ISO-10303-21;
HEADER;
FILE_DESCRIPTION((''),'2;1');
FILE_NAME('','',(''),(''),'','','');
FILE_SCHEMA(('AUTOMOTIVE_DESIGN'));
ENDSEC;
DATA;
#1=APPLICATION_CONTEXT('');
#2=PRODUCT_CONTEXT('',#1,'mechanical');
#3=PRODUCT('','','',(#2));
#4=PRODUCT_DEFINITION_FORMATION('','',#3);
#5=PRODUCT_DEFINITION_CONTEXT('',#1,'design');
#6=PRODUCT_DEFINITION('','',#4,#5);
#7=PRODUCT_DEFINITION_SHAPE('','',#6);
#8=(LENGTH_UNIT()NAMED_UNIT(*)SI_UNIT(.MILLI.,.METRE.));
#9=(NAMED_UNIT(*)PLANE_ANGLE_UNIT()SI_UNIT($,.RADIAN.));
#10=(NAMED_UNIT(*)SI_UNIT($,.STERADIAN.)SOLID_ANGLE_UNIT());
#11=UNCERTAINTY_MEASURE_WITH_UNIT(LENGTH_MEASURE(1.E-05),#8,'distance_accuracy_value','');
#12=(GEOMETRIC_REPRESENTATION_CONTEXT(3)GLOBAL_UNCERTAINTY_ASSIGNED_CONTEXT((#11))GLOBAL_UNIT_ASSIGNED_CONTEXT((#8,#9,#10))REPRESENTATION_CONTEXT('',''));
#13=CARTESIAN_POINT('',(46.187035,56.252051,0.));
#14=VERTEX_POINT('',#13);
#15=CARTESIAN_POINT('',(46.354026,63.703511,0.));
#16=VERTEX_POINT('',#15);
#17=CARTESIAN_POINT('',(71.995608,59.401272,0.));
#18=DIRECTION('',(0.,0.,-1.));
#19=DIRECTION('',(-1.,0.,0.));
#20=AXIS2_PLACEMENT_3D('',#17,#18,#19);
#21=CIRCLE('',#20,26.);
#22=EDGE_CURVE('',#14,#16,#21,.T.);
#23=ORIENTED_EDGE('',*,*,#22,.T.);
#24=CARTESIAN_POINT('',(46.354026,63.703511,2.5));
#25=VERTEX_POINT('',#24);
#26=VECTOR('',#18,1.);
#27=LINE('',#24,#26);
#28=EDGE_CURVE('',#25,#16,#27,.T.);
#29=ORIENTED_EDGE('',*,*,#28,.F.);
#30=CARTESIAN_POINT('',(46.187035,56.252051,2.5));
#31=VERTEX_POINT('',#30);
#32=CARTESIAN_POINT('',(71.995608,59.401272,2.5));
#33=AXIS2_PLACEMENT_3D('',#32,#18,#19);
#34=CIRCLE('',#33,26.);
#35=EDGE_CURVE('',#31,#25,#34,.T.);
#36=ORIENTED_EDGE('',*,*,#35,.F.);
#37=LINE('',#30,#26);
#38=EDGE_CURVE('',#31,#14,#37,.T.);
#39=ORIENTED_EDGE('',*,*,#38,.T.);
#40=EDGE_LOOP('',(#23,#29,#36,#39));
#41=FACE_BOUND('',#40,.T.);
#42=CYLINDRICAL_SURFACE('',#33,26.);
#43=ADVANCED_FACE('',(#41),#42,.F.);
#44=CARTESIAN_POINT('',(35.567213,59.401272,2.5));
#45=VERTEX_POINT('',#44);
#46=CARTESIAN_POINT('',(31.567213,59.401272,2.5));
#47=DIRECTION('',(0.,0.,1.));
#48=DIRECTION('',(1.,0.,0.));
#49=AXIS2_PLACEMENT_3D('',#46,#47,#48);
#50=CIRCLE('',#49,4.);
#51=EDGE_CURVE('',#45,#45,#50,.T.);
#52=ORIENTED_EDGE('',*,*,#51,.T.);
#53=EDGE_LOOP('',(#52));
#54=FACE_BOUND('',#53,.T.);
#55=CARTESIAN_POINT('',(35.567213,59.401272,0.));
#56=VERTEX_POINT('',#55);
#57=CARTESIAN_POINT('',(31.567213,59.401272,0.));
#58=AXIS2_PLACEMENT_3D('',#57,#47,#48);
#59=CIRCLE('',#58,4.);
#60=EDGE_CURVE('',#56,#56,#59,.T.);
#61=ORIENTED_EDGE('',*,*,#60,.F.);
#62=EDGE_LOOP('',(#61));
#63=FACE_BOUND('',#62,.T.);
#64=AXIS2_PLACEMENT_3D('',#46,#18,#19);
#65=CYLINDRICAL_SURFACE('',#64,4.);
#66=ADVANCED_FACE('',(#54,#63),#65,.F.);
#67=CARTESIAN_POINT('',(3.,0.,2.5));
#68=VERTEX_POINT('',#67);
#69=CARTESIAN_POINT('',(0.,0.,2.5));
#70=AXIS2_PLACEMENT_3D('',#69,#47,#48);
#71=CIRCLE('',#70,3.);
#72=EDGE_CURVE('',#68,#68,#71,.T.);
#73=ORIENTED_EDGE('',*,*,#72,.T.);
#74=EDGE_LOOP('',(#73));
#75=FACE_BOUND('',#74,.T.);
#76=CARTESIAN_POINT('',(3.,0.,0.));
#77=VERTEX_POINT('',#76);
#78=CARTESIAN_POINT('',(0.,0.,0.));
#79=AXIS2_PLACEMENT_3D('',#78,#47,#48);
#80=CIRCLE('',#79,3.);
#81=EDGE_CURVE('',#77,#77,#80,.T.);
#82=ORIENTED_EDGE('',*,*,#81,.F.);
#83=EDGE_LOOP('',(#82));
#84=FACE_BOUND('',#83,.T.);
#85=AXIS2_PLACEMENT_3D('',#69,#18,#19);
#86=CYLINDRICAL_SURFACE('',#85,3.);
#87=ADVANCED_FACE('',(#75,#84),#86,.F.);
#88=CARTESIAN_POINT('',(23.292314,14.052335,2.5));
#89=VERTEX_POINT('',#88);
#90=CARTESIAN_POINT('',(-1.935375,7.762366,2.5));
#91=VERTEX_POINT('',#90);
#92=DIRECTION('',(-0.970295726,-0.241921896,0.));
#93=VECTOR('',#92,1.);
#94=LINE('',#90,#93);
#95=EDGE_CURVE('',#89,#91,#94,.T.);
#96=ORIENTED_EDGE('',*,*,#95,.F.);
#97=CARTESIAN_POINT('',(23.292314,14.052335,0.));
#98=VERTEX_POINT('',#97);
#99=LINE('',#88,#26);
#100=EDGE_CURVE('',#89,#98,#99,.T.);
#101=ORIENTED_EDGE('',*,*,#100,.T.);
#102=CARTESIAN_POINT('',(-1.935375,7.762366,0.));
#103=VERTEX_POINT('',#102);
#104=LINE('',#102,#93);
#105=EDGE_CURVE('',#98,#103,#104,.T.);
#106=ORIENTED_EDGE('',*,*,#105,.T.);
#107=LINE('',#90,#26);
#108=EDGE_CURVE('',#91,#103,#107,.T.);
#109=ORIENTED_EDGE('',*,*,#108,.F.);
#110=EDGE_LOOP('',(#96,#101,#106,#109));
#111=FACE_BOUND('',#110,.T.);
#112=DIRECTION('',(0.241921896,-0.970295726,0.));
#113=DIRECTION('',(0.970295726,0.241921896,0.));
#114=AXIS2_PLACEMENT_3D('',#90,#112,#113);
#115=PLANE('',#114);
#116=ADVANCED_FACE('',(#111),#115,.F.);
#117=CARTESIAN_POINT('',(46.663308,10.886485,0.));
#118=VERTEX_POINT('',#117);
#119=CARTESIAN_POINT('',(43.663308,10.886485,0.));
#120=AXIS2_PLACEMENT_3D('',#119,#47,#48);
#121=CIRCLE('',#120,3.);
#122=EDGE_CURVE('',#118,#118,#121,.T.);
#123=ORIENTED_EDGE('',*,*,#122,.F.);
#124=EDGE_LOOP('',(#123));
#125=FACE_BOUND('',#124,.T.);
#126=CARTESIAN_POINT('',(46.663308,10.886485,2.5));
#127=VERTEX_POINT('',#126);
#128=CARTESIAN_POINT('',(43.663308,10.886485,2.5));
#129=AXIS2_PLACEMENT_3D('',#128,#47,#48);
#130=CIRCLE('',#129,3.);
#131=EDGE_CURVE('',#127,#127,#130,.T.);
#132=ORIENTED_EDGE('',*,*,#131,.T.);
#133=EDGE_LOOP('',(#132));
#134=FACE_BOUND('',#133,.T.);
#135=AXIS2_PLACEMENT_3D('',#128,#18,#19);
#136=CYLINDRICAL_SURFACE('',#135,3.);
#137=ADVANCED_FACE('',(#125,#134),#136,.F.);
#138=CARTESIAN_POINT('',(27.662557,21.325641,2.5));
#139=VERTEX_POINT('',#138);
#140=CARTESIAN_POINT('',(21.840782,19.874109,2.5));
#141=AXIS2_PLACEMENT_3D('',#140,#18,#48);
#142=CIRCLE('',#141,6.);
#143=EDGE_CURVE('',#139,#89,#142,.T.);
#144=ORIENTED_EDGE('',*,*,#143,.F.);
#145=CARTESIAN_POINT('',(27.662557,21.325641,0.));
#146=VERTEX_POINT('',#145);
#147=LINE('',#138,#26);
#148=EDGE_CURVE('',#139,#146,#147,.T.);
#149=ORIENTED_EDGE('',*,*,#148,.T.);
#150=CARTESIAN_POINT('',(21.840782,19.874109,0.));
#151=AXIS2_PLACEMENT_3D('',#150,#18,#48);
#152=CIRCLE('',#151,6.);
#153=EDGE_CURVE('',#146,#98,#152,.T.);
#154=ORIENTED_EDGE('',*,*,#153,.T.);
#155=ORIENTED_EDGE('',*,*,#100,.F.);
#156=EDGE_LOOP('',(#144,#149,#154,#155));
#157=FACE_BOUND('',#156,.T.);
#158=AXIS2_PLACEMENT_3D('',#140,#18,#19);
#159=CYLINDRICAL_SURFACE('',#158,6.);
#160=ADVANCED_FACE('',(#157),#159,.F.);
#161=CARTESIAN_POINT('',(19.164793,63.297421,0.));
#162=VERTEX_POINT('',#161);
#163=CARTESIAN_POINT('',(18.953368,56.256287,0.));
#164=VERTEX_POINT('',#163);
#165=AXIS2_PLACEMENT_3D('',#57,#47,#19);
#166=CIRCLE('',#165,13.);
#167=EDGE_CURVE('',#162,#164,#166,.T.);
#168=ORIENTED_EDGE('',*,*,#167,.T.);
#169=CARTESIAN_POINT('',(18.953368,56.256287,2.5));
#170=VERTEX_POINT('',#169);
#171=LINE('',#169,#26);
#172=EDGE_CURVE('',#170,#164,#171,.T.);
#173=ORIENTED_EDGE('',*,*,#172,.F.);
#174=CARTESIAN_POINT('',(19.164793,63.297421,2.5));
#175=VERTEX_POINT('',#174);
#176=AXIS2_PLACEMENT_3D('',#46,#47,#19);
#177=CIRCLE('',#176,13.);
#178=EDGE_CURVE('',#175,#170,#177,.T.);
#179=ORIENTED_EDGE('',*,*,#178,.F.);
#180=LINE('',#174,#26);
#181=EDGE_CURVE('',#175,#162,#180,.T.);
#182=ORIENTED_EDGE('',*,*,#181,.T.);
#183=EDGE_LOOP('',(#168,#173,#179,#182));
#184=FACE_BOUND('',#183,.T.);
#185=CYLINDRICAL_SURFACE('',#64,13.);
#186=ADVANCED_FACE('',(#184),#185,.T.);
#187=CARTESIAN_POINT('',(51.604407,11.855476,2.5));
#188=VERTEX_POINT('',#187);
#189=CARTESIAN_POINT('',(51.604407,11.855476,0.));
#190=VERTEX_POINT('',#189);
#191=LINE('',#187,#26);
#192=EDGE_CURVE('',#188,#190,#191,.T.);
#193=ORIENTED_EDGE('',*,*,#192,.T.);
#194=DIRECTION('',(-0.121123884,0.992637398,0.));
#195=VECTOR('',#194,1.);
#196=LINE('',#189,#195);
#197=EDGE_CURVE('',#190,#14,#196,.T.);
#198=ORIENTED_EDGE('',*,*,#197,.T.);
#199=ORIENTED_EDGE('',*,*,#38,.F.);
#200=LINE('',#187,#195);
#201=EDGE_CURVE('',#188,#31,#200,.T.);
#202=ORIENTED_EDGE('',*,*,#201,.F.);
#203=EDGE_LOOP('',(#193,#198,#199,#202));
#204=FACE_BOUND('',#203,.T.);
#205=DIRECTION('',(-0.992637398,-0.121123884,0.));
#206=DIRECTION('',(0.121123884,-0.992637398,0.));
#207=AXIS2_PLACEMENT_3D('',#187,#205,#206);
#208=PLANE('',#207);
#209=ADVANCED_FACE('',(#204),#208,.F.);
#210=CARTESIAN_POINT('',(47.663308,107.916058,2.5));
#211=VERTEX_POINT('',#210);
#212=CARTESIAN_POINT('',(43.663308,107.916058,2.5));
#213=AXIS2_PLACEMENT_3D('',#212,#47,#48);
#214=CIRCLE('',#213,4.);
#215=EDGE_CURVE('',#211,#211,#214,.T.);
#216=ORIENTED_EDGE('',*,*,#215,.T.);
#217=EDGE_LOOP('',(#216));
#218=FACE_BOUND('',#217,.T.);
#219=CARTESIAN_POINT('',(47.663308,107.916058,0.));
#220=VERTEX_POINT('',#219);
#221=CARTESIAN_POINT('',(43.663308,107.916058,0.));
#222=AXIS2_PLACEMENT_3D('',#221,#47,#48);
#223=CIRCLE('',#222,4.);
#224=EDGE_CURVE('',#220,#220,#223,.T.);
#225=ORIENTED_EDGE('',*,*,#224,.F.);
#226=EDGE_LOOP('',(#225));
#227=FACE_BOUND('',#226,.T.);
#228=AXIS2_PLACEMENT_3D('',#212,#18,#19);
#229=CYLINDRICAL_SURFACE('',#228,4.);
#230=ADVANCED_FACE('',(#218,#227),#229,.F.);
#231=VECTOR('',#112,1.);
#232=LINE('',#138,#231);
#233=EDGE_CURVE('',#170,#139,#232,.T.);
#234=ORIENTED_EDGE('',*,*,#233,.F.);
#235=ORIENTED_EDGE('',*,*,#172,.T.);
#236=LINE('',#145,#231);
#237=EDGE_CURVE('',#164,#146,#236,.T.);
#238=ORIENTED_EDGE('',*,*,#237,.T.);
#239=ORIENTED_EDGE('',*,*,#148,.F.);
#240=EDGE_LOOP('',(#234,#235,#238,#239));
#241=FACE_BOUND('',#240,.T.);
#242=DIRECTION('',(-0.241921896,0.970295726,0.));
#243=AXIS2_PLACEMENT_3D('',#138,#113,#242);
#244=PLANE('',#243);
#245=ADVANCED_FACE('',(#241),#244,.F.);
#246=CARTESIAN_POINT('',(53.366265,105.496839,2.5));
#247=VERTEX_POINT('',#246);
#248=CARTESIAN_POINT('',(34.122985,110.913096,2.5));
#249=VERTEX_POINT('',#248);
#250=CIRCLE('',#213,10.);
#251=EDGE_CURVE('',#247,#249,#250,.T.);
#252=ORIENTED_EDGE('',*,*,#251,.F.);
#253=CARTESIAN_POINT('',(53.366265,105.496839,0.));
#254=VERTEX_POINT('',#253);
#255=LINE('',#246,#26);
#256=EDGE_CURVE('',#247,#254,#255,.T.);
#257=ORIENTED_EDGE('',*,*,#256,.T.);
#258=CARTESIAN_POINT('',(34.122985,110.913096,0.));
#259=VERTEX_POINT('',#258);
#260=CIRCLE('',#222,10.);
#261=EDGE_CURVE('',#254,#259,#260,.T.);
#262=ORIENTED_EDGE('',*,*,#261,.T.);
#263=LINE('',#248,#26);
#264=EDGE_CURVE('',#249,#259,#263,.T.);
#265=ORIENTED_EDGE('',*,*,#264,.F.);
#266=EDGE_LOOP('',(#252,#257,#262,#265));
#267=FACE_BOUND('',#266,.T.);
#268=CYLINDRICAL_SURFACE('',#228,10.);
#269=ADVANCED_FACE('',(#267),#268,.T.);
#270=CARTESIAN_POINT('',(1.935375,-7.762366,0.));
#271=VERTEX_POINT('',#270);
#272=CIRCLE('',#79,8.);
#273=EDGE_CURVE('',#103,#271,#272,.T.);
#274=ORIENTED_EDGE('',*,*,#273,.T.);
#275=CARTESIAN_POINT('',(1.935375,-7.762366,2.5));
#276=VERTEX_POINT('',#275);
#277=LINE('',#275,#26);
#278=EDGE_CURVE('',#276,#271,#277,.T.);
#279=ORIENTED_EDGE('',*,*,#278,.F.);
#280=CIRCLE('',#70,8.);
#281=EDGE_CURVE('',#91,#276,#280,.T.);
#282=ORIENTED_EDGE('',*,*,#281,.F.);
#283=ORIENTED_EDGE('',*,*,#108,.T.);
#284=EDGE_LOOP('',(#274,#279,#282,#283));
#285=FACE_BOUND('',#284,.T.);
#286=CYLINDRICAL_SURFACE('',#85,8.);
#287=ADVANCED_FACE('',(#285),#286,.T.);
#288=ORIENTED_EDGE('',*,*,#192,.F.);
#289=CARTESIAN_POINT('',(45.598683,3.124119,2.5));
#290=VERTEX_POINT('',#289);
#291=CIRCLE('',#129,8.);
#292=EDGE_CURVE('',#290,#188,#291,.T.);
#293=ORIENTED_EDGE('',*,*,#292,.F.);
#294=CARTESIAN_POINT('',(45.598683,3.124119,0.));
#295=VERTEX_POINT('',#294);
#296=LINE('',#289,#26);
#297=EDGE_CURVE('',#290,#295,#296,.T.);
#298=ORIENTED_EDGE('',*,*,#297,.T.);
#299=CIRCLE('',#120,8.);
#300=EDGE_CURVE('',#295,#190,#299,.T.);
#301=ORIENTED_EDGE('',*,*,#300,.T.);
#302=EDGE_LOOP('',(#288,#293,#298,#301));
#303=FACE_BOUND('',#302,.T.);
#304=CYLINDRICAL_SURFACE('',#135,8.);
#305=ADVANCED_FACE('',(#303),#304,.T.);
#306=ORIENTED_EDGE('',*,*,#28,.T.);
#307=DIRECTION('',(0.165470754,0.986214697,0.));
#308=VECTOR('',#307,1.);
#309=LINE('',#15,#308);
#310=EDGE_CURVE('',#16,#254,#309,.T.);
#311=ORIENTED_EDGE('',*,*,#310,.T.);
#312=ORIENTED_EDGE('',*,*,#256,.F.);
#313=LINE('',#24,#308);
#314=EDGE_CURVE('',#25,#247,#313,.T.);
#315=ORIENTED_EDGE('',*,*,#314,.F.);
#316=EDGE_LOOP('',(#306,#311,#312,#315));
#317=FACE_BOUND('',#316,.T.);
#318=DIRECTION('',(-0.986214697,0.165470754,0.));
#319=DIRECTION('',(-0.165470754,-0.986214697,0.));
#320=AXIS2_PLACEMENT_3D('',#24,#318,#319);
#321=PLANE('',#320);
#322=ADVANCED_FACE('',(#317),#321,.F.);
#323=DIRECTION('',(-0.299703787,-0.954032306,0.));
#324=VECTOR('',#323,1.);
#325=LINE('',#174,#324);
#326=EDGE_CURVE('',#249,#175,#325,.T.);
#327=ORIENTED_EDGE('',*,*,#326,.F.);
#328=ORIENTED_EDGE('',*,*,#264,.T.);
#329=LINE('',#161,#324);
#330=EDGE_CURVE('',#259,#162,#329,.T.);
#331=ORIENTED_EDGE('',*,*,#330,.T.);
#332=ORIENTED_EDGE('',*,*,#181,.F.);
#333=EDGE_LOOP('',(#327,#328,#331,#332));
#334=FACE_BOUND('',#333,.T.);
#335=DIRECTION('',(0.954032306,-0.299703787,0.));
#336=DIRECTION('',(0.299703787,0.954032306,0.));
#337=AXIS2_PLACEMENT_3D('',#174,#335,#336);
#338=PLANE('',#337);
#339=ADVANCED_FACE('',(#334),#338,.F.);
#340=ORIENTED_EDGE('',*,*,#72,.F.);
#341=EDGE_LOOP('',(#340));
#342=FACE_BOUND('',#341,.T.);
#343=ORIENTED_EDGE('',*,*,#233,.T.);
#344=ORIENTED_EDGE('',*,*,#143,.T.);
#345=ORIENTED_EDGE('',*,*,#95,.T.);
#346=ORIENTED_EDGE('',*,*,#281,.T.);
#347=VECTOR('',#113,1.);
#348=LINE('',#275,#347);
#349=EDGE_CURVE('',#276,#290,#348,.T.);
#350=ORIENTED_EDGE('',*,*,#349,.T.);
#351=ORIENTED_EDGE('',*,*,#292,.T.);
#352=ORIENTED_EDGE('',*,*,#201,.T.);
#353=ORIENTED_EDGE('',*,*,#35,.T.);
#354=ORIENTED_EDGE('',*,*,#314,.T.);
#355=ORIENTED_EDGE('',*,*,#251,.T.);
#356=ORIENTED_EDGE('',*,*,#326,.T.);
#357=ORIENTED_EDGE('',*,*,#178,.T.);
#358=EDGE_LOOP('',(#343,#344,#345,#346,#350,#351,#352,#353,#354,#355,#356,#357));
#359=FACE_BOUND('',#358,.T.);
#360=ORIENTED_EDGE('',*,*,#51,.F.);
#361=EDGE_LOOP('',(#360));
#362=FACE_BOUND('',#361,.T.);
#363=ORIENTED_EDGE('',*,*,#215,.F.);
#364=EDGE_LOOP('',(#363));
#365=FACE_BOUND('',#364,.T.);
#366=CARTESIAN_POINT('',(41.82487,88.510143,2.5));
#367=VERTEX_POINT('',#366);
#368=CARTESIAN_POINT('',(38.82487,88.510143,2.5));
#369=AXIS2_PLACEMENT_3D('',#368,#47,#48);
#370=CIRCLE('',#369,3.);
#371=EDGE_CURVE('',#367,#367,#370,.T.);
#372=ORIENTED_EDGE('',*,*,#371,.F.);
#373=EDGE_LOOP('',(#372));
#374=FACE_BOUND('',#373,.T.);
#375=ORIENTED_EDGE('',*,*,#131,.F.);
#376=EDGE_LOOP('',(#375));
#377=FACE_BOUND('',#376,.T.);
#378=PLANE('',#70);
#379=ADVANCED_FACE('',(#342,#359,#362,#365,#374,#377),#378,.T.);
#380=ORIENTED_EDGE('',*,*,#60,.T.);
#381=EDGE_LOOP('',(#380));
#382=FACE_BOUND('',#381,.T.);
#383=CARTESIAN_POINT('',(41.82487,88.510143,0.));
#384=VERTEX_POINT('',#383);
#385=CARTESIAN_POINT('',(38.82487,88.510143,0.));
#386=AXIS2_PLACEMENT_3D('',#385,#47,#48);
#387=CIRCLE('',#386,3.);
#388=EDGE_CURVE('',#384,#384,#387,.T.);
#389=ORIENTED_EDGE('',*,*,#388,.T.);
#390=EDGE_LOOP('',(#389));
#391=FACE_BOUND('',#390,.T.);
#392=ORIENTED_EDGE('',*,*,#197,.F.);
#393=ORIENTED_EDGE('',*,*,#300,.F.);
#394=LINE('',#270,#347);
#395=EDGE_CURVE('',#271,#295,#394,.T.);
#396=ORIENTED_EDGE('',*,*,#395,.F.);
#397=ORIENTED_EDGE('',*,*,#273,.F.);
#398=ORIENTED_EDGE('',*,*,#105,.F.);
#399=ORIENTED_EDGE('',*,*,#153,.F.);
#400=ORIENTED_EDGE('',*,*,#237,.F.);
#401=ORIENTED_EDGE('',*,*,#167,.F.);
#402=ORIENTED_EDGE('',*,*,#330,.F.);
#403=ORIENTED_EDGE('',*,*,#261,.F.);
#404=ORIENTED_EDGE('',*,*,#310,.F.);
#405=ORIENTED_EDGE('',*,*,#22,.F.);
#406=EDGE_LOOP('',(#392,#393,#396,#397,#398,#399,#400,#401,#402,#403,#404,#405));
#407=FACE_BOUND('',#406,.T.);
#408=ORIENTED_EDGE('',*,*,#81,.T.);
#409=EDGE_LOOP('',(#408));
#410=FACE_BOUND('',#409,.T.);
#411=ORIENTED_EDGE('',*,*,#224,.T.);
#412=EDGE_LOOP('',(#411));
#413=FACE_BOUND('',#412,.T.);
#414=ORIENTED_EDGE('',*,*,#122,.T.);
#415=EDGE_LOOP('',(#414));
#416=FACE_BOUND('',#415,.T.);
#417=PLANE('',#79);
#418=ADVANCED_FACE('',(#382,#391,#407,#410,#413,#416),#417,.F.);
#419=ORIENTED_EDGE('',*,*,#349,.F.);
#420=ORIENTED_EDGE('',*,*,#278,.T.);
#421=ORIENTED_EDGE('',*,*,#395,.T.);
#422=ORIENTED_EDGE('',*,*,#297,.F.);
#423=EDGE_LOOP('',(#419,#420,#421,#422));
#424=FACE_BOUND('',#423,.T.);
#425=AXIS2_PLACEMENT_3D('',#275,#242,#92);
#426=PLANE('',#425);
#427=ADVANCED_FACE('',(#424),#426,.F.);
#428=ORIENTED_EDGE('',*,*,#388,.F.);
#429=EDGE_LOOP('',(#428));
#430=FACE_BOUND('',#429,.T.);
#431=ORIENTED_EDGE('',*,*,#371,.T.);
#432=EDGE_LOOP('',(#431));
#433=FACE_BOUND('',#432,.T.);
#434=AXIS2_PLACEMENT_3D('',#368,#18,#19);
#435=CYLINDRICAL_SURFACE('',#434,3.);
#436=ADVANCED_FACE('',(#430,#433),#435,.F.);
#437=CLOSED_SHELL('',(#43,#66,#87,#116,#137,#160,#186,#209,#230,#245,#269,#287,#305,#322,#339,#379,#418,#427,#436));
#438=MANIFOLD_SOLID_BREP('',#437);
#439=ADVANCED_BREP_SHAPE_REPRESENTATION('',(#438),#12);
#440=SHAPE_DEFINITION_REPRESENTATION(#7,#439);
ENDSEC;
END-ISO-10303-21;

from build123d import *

# Parameters (mm, degrees)
SKETCH1_R           = 3
SKETCH1_R_2         = 4
BOSS_EXTRUDE1_DEPTH = 2.5


with BuildPart() as part:
    # Sketch1 → Boss-Extrude1 (new body)
    with BuildSketch(Plane.XY):
        with BuildLine():
            Line((-1.935375165, 7.76236581), (23.292313718, 14.052335096))
            ThreePointArc((23.292313718, 14.052335096), (26.983786149, 16.783881004), (27.662556702, 21.325640827))
            Line((27.662556702, 21.325640827), (18.953368461, 56.256286973))
            ThreePointArc((18.953368461, 56.256286973), (18.573069496, 59.791447393), (19.164792931, 63.297420849))
            Line((19.164792931, 63.297420849), (34.122984627, 110.913095801))
            ThreePointArc((34.122984627, 110.913095801), (46.372656677, 117.54203466), (53.366264945, 105.496838974))
            Line((53.366264945, 105.496838974), (46.354025639, 63.703511227))
            ThreePointArc((46.354025639, 63.703511227), (46.002134254, 59.983795798), (46.187035414, 56.252050633))
            Line((46.187035414, 56.252050633), (51.60440687, 11.855476374))
            ThreePointArc((51.60440687, 11.855476374), (50.25461519, 6.352759975), (45.598682847, 3.124119492))
            Line((45.598682847, 3.124119492), (1.935375165, -7.76236581))
            ThreePointArc((1.935375165, -7.76236581), (-7.76236581, -1.935375165), (-1.935375165, 7.76236581))
        make_face()
        Circle(SKETCH1_R, mode=Mode.SUBTRACT)
        with Locations((43.663307682, 107.91605793)):
            Circle(SKETCH1_R_2, mode=Mode.SUBTRACT)
        with Locations((31.567212902, 59.401271616)):
            Circle(SKETCH1_R_2, mode=Mode.SUBTRACT)
        with Locations((38.82486977, 88.510143404)):
            Circle(SKETCH1_R, mode=Mode.SUBTRACT)
        with Locations((43.663307682, 10.886485302)):
            Circle(SKETCH1_R, mode=Mode.SUBTRACT)
    extrude(amount=BOSS_EXTRUDE1_DEPTH)


solid = part.part
